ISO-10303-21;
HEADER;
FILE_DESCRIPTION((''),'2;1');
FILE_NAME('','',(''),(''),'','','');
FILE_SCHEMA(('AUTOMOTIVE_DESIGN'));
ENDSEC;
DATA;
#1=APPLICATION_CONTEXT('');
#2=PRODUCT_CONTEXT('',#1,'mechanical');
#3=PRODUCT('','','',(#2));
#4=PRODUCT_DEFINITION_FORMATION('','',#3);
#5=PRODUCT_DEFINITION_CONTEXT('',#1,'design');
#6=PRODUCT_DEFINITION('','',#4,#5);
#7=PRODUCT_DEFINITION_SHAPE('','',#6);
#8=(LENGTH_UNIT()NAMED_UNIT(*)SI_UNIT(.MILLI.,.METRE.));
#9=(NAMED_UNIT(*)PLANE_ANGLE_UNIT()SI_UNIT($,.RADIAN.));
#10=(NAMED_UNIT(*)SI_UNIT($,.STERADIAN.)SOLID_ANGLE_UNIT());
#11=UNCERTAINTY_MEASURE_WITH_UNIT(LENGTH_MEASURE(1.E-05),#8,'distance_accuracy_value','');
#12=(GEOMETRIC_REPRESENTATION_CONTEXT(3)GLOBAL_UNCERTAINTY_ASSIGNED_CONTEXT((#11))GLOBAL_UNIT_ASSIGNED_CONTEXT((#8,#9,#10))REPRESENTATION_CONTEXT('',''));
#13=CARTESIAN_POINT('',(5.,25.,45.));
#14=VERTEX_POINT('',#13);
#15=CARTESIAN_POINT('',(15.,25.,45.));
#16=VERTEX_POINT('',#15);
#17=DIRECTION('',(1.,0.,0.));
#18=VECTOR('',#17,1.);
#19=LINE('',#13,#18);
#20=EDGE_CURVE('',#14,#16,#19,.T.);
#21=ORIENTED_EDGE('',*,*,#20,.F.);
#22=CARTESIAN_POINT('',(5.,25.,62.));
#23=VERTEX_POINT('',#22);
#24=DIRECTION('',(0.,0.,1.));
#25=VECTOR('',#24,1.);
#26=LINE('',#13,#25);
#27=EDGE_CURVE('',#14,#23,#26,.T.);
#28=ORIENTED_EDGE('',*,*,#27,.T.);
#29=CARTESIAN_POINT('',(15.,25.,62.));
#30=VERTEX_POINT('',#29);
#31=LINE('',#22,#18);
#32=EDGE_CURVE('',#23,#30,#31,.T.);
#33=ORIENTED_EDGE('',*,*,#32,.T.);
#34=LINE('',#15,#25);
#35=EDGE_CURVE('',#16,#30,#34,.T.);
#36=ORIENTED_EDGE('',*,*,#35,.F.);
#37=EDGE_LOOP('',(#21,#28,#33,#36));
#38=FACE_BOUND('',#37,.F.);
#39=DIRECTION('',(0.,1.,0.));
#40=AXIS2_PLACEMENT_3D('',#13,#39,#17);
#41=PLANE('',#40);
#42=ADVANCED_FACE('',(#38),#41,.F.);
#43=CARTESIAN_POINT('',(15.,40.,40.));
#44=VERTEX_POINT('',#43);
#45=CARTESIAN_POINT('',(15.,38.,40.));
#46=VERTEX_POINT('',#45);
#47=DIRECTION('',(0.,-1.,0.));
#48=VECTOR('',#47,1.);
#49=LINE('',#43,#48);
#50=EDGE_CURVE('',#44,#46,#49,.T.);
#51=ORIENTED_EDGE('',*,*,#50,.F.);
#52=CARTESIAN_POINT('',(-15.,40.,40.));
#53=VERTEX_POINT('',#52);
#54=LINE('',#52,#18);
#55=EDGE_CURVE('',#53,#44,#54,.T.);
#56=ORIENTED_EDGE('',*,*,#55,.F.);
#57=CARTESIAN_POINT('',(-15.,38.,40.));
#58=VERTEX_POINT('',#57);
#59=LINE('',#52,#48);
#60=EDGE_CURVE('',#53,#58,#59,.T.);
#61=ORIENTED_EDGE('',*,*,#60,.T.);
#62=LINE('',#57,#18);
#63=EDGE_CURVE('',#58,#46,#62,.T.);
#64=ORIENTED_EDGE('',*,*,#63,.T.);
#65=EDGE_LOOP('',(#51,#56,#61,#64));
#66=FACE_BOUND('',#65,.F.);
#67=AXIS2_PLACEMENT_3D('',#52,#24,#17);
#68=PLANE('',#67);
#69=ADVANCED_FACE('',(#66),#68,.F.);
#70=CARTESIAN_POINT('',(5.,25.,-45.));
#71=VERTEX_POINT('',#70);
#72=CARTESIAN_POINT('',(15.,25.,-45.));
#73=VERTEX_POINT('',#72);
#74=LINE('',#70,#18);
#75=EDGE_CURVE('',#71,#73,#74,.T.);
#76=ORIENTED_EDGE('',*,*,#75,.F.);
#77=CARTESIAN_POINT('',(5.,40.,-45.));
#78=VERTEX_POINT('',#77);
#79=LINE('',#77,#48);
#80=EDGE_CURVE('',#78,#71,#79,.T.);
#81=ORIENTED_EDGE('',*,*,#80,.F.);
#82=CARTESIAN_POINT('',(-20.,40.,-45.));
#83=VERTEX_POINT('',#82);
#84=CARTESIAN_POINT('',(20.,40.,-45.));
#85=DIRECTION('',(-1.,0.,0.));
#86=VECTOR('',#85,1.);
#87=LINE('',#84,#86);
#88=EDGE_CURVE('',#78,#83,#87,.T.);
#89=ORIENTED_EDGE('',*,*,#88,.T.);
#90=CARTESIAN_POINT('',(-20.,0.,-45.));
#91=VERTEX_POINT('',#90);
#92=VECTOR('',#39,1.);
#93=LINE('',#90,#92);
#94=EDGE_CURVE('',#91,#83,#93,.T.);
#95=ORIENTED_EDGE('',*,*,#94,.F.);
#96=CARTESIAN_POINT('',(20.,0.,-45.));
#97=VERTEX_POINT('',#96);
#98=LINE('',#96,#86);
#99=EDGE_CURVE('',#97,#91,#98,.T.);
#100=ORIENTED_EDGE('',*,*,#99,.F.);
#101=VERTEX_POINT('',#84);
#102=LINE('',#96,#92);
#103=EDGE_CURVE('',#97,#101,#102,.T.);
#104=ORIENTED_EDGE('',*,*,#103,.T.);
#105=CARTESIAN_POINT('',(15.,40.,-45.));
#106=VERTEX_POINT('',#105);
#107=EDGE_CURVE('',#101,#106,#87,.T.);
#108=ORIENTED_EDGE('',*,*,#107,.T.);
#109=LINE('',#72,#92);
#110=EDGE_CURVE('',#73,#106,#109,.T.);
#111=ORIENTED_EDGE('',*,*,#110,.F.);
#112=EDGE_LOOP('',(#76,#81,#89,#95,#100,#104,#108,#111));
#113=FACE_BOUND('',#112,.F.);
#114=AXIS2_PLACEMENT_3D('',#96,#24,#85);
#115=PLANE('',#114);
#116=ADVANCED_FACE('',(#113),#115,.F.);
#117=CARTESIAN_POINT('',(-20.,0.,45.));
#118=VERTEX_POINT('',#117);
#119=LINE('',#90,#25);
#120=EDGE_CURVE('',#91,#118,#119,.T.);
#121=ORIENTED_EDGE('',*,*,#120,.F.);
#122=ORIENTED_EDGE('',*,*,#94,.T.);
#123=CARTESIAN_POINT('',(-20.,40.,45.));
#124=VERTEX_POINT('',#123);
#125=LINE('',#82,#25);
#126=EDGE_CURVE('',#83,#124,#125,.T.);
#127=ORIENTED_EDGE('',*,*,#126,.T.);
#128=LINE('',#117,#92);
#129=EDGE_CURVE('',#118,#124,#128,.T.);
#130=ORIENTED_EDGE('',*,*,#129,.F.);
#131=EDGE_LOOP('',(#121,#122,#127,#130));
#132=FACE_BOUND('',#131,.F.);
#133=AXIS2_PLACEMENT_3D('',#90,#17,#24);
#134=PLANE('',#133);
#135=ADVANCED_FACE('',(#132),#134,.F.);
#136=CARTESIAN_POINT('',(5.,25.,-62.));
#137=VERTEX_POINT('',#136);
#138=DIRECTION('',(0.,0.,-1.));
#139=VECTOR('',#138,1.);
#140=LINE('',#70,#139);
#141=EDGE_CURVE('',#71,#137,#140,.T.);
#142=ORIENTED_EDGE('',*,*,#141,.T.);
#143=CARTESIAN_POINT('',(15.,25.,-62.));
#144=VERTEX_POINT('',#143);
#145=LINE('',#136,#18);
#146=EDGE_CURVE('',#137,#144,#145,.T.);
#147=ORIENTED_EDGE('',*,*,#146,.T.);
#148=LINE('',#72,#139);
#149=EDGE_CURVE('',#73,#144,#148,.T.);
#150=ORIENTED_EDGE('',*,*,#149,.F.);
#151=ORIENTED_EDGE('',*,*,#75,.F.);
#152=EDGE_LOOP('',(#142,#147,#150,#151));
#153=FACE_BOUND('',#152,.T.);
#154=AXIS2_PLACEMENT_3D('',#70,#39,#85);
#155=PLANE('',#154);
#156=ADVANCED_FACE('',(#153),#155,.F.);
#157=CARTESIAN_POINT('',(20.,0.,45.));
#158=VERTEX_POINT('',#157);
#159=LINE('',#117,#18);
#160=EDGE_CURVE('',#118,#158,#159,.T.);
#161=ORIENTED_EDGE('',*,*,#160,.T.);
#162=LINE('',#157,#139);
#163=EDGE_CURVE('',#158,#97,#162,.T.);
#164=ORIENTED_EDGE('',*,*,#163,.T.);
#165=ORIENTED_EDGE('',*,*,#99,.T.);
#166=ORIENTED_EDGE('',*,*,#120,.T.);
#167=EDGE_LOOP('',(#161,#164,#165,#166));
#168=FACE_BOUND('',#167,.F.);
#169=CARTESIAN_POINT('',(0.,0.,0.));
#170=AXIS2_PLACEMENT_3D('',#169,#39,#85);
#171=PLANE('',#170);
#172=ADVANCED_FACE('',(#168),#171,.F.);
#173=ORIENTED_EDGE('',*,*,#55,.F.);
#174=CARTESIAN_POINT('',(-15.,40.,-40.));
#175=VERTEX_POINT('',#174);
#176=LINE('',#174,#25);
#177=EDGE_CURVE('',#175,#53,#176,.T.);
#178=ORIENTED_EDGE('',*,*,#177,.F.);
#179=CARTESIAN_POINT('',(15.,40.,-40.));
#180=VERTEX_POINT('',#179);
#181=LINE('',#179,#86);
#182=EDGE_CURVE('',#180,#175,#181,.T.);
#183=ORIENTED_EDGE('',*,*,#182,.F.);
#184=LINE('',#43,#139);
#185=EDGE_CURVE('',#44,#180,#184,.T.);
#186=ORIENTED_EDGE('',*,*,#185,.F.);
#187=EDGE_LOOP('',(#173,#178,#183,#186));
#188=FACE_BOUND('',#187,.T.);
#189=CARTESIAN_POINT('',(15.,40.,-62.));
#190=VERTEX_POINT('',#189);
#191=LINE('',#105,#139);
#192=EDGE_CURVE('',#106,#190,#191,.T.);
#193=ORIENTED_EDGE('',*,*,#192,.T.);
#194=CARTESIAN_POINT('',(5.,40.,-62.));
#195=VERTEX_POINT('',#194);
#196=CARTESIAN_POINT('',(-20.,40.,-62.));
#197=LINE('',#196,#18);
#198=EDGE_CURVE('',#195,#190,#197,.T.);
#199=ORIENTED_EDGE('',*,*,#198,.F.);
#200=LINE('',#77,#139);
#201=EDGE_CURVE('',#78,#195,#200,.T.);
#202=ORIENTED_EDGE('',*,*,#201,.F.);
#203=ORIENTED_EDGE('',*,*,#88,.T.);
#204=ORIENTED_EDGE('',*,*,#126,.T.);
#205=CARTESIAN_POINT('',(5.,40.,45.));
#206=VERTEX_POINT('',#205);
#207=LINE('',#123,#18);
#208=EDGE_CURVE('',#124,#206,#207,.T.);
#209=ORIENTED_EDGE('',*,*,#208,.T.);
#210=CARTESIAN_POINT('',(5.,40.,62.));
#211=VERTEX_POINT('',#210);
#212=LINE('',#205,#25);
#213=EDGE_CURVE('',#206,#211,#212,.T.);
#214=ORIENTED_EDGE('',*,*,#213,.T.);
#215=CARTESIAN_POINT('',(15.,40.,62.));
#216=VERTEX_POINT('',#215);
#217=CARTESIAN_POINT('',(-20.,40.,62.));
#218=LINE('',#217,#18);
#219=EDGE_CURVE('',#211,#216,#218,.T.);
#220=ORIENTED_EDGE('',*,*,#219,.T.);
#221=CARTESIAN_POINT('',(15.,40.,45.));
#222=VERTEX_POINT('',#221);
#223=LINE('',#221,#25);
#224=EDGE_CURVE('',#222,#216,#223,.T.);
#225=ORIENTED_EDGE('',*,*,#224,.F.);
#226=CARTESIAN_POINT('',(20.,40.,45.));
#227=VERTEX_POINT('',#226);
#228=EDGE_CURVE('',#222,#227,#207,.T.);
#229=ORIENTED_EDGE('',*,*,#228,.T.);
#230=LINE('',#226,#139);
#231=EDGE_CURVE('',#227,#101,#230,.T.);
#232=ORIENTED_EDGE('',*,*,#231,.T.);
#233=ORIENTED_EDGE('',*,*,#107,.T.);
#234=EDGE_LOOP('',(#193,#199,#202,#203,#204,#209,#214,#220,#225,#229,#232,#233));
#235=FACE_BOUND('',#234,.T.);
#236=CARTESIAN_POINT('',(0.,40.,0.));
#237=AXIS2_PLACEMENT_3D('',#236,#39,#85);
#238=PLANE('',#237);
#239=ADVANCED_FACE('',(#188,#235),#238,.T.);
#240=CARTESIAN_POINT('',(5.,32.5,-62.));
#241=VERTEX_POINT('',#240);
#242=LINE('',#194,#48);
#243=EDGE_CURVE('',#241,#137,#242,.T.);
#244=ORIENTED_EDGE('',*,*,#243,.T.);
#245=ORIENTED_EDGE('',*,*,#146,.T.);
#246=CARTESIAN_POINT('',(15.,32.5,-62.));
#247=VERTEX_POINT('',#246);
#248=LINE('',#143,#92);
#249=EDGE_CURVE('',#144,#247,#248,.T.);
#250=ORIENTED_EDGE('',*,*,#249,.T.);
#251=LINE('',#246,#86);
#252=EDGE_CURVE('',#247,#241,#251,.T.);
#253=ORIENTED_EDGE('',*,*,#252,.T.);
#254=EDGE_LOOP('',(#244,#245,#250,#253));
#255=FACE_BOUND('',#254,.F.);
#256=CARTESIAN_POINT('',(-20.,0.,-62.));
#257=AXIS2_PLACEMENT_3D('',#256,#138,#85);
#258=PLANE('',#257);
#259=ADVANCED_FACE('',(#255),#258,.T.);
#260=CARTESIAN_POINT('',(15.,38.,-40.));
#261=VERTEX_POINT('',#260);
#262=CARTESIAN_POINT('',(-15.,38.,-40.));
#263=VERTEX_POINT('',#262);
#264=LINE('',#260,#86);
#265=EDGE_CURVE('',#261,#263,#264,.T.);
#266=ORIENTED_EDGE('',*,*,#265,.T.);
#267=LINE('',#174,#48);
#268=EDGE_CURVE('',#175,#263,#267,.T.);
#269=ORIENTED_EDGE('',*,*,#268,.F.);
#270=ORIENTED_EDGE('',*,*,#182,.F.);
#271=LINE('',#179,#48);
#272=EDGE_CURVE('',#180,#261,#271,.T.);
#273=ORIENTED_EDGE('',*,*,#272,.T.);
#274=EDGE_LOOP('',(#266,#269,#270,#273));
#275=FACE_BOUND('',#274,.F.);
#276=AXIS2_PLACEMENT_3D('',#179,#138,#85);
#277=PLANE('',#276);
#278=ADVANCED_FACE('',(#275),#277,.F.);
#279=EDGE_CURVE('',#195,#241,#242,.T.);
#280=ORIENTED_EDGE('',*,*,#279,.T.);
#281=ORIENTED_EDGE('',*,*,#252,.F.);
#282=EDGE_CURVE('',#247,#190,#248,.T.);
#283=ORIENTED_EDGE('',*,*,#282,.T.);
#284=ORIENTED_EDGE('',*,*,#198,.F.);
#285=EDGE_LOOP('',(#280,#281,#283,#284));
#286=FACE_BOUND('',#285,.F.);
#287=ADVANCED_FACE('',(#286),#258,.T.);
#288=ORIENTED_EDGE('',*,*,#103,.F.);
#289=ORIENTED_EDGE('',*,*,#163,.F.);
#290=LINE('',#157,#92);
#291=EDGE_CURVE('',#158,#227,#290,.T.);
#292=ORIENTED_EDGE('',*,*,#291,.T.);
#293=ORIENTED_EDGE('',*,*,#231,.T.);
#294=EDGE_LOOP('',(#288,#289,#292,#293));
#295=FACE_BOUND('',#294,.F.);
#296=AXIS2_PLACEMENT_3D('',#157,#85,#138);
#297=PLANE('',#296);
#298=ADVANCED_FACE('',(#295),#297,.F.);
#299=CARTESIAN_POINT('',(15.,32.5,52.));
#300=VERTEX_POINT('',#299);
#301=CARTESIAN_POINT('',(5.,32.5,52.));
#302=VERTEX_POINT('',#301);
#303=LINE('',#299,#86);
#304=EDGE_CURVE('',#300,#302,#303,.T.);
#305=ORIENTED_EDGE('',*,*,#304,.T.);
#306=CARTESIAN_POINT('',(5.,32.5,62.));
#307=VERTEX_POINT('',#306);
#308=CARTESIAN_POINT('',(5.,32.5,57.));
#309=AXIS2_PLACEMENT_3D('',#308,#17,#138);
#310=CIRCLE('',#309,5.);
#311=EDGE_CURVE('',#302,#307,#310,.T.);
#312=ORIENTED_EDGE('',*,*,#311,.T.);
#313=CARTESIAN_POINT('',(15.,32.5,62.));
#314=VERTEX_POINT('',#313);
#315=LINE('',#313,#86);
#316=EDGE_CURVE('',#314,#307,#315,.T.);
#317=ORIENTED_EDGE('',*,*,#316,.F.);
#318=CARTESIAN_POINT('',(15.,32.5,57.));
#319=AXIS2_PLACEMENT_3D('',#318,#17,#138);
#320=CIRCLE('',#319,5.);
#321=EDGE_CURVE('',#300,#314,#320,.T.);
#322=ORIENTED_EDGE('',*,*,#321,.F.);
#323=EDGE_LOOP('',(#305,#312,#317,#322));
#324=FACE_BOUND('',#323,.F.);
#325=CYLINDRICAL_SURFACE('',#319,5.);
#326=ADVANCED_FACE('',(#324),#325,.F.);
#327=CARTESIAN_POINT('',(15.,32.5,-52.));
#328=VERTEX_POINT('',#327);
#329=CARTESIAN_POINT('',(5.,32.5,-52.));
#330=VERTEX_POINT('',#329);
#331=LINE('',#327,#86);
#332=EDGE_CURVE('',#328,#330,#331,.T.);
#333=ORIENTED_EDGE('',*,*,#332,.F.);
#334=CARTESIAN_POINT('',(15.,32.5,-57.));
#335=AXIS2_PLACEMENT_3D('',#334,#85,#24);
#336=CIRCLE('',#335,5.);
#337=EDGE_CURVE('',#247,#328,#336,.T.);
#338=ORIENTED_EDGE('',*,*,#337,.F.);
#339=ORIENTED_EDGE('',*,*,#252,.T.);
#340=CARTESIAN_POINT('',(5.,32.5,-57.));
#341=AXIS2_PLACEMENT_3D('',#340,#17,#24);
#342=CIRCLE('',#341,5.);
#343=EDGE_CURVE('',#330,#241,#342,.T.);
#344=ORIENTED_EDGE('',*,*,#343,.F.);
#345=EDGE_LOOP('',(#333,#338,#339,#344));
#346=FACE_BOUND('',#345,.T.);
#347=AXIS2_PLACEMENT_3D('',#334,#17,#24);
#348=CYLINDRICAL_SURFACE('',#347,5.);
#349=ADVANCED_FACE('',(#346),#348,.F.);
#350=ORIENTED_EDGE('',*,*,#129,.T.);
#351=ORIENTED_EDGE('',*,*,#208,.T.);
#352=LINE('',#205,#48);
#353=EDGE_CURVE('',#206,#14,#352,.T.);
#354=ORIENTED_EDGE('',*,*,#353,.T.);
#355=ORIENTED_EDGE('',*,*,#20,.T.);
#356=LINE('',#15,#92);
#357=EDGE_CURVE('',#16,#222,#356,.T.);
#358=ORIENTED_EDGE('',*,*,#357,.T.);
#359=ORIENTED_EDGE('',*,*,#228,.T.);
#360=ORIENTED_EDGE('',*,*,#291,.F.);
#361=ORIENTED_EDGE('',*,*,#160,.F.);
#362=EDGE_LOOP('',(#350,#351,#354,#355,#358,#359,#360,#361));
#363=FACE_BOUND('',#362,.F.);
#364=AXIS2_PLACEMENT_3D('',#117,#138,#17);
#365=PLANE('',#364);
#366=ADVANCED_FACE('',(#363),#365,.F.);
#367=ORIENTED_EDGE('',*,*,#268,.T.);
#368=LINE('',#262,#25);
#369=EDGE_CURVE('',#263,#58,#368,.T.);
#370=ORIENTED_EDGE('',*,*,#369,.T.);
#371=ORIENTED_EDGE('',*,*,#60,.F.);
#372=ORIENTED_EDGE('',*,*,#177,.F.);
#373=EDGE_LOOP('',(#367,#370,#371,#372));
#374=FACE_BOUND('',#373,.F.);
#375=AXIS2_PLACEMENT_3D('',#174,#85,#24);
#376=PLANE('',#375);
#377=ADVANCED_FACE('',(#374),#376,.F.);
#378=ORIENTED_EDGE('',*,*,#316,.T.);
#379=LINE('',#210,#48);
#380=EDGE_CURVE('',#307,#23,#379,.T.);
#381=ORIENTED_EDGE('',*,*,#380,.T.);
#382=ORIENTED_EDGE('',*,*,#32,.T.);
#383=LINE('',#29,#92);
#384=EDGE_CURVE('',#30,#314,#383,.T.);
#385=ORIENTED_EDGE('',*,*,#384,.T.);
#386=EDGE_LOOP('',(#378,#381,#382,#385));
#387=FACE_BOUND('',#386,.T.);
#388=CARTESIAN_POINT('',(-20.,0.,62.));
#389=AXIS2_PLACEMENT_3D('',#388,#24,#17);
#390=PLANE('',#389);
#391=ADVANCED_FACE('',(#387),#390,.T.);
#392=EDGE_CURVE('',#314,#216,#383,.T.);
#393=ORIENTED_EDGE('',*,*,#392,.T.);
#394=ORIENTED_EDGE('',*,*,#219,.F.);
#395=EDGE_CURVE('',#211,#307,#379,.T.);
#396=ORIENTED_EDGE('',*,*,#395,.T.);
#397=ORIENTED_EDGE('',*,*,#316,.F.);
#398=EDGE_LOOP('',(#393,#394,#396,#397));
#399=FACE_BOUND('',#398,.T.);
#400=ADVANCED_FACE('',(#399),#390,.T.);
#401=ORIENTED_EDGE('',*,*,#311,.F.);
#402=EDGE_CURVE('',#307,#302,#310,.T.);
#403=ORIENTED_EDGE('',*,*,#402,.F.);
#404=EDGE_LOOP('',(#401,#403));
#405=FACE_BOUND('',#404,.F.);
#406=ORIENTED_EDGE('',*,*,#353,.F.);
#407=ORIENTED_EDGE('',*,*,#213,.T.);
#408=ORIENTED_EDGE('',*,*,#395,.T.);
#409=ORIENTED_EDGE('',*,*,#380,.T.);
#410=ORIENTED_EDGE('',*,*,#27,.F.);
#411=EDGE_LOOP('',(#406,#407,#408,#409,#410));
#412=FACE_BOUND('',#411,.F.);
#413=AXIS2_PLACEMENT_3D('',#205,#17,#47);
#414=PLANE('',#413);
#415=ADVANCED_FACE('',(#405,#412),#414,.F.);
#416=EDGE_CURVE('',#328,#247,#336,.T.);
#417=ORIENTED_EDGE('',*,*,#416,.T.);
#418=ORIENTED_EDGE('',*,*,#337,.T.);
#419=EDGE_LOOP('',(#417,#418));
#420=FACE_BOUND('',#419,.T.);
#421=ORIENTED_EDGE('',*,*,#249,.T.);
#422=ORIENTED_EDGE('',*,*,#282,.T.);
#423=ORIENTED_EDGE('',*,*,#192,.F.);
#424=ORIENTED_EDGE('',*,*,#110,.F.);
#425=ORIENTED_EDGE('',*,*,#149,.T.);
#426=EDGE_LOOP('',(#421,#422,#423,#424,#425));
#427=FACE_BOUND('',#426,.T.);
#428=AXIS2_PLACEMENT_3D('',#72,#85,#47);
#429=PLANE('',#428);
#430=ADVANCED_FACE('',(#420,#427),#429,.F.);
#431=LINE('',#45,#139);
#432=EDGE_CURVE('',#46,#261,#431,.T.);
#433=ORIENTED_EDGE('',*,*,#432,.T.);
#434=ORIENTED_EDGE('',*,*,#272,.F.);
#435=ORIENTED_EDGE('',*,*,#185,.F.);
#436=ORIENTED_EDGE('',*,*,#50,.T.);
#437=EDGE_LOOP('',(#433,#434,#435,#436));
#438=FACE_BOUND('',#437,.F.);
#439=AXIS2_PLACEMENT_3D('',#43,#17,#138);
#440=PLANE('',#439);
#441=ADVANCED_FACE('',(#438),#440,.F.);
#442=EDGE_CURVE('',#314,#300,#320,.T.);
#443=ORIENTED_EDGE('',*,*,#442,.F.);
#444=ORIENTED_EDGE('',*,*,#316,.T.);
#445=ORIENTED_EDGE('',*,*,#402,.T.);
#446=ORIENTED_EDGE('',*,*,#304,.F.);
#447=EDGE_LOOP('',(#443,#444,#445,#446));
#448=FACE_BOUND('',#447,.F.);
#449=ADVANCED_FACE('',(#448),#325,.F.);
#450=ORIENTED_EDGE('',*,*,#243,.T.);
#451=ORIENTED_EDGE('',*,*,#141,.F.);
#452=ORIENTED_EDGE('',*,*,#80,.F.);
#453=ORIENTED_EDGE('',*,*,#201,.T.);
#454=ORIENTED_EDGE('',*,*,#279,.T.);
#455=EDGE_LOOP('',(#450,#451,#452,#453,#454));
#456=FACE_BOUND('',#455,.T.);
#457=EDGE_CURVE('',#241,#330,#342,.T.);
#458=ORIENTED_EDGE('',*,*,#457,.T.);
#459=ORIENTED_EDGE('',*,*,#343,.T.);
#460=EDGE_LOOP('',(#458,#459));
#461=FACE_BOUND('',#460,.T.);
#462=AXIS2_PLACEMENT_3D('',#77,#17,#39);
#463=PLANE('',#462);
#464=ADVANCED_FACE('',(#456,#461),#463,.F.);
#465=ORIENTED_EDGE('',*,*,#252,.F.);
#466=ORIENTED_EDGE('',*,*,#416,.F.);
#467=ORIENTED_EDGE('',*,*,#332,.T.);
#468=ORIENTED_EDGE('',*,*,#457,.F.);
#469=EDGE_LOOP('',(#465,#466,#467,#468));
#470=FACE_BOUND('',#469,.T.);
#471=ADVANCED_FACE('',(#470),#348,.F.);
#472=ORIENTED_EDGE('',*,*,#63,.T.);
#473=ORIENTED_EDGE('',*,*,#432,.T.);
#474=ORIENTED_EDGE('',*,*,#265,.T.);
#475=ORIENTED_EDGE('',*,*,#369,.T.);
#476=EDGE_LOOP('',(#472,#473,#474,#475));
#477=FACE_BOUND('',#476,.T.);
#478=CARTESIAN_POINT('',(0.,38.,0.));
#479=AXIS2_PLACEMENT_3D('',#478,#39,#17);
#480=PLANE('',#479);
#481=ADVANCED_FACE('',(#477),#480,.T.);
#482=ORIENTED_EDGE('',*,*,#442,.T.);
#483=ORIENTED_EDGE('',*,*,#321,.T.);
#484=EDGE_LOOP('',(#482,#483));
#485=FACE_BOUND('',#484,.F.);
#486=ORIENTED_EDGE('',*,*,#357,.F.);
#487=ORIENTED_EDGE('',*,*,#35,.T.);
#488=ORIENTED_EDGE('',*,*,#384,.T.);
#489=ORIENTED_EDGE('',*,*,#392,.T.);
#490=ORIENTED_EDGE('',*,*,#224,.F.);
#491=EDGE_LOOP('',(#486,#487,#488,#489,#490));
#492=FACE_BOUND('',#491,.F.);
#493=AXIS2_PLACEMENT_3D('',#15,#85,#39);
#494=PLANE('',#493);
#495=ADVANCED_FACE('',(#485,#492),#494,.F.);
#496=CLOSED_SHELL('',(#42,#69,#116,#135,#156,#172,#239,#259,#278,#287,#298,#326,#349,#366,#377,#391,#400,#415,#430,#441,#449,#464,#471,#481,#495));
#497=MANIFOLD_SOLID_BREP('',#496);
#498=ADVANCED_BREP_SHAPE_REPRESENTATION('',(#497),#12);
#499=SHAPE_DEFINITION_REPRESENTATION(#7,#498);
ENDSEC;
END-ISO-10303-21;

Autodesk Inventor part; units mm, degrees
ref_plane "YZ Plane" through (0, 0, 0) normal (1, 0, 0) x (0, 1, 0)
ref_plane "XZ Plane" through (0, 0, 0) normal (0, 1, 0) x (-1, 0, 0)
ref_plane "XY Plane" through (0, 0, 0) normal (0, 0, 1) x (1, 0, 0)
sketch "Sketch1" plane through (0, 0, 0) normal (0, 1, 0) x (-1, 0, 0)
  line L0 (20, 45) -> (-20, 45)
  line L1 (-20, 45) -> (-20, -45)
  line L2 (-20, -45) -> (20, -45)
  line L3 (20, -45) -> (20, 45)
  point P0 (0, 0)
  point P1 (20, 0)
  point P2 (0, -45)
  dimension "d0" = 40
  dimension "d1" = 90
extrude "Extrusion1" add sketch "Sketch1" along normal blind 40
sketch "Sketch2" plane through (-20, 0, 45) normal (0, 0, 1) x (1, 0, 0)
  line L0 (0, 40) -> (40, 40) projected
  line L1 (35, 40) -> (25, 40)
  line L2 (25, 40) -> (25, 25)
  line L3 (25, 25) -> (35, 25)
  line L4 (35, 25) -> (35, 40)
  line L5 (40, 0) -> (40, 40) projected
  point P0 (20, 0)
  dimension "d4" = 5
  dimension "d5" = 10
  dimension "d6" = 15
extrude "Extrusion2" add sketch "Sketch2" along normal blind 17
sketch "Sketch3" plane through (15, 25, 45) normal (1, 0, 0) x (0, 0, -1)
  circle A0 centre (-12, 7.5) radius 5
  line L0 (-17, 0) -> (-17, 15) projected
  line L1 (0, 15) -> (-17, 15) projected
  point P0 (45, -25)
  dimension "d9" = 10
  dimension "d10" = 5
  dimension "d11" = 7.5
extrude "Extrusion3" cut sketch "Sketch3" against normal blind 17
mirror "Mirror3" about plane through (0, 0, 0) normal (0, 0, 1) of "Extrusion2", "Extrusion3"
sketch "Sketch4" plane through (0, 40, 0) normal (0, 1, 0) x (1, 0, 0)
  line L0 (-15, -40) -> (15, -40)
  line L1 (15, -40) -> (15, 40)
  line L2 (15, 40) -> (-15, 40)
  line L3 (-15, 40) -> (-15, -40)
  point P0 (0, 0)
  point P1 (-15, 0)
  point P2 (0, -40)
  dimension "d14" = 80
  dimension "d15" = 30
extrude "Extrusion4" cut sketch "Sketch4" against normal blind 2
properties part number "speaker"
